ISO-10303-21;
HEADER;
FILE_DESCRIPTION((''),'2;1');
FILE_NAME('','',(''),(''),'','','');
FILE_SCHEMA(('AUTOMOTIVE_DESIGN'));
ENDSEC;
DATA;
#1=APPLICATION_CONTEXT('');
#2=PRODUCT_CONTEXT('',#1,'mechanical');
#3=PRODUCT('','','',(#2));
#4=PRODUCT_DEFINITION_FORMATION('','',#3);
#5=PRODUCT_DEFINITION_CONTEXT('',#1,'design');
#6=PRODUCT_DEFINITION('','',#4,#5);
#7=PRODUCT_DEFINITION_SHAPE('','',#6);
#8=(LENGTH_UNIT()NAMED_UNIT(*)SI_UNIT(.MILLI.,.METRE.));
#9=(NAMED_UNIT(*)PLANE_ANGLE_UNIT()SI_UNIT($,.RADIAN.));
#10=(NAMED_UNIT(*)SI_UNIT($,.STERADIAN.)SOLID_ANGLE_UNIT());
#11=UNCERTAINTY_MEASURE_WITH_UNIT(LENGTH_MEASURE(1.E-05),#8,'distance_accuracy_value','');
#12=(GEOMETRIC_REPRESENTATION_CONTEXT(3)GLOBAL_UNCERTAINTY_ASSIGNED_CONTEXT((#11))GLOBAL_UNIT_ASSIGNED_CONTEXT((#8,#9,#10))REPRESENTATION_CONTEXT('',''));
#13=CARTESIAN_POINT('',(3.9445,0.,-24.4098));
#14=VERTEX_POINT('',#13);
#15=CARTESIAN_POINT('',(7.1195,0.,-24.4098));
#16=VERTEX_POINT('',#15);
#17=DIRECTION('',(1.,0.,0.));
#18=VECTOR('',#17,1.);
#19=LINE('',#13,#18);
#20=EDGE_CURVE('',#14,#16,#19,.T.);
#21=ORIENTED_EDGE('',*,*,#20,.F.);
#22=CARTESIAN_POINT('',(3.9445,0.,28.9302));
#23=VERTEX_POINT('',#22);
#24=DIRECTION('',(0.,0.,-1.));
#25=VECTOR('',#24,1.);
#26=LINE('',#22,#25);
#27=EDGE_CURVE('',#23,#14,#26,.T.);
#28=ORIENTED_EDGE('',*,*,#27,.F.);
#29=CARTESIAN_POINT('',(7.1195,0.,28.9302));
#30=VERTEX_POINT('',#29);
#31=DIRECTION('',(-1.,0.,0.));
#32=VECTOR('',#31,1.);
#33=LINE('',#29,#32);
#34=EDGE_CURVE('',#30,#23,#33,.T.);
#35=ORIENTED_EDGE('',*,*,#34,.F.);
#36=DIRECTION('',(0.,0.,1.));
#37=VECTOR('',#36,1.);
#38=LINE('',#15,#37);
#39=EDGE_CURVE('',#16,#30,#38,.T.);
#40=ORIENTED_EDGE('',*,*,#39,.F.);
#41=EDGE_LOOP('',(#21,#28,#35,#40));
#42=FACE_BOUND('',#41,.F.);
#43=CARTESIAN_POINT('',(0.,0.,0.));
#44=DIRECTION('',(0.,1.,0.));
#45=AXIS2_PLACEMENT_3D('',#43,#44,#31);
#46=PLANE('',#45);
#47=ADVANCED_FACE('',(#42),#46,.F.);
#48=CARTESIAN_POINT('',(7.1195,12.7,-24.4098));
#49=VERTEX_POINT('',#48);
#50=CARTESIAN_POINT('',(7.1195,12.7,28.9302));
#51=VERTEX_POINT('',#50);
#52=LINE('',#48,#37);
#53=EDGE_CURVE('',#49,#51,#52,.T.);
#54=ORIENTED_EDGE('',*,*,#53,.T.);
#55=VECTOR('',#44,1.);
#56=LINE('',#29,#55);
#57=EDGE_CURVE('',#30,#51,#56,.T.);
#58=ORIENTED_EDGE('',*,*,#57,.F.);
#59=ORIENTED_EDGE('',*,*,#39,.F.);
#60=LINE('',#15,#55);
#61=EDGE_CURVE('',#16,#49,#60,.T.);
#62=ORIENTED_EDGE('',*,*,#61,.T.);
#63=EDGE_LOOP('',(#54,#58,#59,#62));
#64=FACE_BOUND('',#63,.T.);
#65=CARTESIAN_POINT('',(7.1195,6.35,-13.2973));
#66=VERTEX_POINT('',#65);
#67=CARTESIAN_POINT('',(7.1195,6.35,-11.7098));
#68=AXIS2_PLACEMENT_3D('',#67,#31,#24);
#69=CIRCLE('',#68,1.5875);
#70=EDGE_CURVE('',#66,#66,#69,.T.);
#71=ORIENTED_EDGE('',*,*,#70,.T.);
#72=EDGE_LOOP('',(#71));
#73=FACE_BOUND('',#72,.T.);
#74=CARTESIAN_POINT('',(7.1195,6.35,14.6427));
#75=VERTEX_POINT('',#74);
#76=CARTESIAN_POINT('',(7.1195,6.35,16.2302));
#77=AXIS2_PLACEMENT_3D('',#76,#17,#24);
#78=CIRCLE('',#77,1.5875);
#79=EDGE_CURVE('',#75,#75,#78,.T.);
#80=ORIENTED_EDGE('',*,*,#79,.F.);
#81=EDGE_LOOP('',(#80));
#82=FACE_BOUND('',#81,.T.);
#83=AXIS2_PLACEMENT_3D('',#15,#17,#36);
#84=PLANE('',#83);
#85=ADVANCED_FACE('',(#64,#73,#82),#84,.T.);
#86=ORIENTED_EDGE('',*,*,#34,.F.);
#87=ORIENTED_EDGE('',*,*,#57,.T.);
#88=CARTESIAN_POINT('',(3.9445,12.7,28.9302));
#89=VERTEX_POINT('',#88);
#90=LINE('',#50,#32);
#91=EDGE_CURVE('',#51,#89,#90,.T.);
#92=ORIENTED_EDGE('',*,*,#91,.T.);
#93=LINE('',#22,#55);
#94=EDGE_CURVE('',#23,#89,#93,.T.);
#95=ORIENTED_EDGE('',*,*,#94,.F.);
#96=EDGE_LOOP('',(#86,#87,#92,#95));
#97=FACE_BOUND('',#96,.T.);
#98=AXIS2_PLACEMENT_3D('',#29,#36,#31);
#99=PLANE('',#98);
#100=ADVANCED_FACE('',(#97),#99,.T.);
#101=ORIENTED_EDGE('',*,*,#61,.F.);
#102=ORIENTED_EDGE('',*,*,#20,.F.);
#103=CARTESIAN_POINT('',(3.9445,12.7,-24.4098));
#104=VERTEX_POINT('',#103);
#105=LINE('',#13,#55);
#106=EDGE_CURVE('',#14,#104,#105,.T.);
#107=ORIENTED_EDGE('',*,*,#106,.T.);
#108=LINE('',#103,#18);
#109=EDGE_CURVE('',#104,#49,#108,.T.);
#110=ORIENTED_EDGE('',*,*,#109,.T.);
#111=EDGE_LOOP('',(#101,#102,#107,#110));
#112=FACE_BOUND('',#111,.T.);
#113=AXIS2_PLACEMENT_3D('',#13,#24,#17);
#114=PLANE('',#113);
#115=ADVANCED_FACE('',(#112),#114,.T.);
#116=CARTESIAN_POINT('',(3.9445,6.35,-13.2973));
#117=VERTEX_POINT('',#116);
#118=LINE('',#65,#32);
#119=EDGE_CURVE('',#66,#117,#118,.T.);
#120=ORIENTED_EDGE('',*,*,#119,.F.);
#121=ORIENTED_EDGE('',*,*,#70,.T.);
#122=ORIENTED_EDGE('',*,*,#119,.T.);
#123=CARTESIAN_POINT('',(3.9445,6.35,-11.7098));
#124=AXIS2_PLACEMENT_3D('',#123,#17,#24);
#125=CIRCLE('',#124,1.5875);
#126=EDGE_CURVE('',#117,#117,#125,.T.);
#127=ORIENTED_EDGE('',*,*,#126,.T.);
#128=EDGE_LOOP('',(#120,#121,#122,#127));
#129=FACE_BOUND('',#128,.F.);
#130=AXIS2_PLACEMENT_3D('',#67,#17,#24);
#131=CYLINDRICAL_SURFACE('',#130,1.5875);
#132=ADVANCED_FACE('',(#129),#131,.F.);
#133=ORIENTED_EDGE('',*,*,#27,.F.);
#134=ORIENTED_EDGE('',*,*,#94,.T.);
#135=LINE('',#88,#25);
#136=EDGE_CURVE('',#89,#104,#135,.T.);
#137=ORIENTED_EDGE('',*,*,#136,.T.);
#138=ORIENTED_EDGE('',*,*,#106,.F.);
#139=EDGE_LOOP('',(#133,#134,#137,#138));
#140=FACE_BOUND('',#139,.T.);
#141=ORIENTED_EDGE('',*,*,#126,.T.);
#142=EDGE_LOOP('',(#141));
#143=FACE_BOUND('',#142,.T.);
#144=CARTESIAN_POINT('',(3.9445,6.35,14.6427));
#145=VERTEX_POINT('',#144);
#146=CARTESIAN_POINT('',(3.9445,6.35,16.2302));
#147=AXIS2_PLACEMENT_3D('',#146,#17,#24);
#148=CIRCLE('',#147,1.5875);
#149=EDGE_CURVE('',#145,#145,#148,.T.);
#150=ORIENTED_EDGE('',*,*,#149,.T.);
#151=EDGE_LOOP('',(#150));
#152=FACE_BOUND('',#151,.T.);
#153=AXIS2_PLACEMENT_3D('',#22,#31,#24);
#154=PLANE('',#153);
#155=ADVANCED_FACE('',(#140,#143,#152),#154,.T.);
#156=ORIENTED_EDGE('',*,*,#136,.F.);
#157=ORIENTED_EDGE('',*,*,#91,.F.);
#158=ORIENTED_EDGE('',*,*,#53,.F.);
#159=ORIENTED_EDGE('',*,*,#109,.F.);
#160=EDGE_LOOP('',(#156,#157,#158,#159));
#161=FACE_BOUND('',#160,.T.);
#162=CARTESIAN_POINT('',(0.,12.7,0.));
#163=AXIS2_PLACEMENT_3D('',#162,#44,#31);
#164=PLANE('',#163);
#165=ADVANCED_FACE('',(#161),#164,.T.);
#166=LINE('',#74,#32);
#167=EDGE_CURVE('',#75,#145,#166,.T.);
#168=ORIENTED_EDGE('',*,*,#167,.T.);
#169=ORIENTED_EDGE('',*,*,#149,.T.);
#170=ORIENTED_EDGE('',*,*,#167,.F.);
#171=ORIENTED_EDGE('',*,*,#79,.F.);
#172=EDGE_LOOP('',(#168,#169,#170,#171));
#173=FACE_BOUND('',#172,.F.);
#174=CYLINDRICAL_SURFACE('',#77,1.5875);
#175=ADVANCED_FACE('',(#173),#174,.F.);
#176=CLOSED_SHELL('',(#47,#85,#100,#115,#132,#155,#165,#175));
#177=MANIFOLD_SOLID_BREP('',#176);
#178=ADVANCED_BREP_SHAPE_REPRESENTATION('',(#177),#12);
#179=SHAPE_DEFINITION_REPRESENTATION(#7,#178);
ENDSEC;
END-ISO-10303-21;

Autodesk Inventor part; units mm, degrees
ref_plane "YZ Plane" through (0, 0, 0) normal (1, 0, 0) x (0, 1, 0)
ref_plane "XZ Plane" through (0, 0, 0) normal (0, 1, 0) x (-1, 0, 0)
ref_plane "XY Plane" through (0, 0, 0) normal (0, 0, 1) x (1, 0, 0)
sketch "Sketch1" plane through (0, 0, 0) normal (0, 1, 0) x (-1, 0, 0)
  line L0 (-3.9445, -24.4098) -> (-7.1195, -24.4098)
  line L1 (-7.1195, -24.4098) -> (-7.1195, 28.9302)
  line L2 (-7.1195, 28.9302) -> (-3.9445, 28.9302)
  line L3 (-3.9445, 28.9302) -> (-3.9445, -24.4098)
  point P0 (0, 0)
  dimension "d0" = 53.34
  dimension "d1" = 3.175
extrude "Extrusion1" add sketch "Sketch1" along normal blind 12.7
sketch "Sketch2" plane through (7.1195, 0, 28.9302) normal (1, 0, 0) x (0, 0, -1)
  line L0 (0, 0) -> (53.34, 0) projected
  line L1 (53.34, 6.35) -> (40.64, 6.35)
  line L2 (40.64, 6.35) -> (40.64, 0)
  line L3 (40.64, 0) -> (53.34, 0)
  line L4 (53.34, 0) -> (53.34, 6.35)
  line L5 (53.34, 0) -> (53.34, 12.7) projected
  circle A0 centre (40.64, 6.35) radius 1.5875
  line L6 (53.34, 12.7) -> (0, 12.7) projected
  line L7 (26.67, 12.7) -> (26.67, 0)
  circle A1 centre (12.7, 6.35) radius 1.5875
  line L8 (0, 0) -> (0, 12.7) projected
  point P0 (28.9302, 0)
  dimension "d6" = 12.7
  dimension "d7" = 6.35
  dimension "d8" = 3.175
  dimension "d9" = 26.67
  dimension "d12" = 12.7
  dimension "d13" = 27.94
extrude "Extrusion2" cut sketch "Sketch2" against normal blind 3.175 contours A0 L1 L2 | L2 L1 A0 | A1
properties part number "CURM_Caterpillar_wall"
